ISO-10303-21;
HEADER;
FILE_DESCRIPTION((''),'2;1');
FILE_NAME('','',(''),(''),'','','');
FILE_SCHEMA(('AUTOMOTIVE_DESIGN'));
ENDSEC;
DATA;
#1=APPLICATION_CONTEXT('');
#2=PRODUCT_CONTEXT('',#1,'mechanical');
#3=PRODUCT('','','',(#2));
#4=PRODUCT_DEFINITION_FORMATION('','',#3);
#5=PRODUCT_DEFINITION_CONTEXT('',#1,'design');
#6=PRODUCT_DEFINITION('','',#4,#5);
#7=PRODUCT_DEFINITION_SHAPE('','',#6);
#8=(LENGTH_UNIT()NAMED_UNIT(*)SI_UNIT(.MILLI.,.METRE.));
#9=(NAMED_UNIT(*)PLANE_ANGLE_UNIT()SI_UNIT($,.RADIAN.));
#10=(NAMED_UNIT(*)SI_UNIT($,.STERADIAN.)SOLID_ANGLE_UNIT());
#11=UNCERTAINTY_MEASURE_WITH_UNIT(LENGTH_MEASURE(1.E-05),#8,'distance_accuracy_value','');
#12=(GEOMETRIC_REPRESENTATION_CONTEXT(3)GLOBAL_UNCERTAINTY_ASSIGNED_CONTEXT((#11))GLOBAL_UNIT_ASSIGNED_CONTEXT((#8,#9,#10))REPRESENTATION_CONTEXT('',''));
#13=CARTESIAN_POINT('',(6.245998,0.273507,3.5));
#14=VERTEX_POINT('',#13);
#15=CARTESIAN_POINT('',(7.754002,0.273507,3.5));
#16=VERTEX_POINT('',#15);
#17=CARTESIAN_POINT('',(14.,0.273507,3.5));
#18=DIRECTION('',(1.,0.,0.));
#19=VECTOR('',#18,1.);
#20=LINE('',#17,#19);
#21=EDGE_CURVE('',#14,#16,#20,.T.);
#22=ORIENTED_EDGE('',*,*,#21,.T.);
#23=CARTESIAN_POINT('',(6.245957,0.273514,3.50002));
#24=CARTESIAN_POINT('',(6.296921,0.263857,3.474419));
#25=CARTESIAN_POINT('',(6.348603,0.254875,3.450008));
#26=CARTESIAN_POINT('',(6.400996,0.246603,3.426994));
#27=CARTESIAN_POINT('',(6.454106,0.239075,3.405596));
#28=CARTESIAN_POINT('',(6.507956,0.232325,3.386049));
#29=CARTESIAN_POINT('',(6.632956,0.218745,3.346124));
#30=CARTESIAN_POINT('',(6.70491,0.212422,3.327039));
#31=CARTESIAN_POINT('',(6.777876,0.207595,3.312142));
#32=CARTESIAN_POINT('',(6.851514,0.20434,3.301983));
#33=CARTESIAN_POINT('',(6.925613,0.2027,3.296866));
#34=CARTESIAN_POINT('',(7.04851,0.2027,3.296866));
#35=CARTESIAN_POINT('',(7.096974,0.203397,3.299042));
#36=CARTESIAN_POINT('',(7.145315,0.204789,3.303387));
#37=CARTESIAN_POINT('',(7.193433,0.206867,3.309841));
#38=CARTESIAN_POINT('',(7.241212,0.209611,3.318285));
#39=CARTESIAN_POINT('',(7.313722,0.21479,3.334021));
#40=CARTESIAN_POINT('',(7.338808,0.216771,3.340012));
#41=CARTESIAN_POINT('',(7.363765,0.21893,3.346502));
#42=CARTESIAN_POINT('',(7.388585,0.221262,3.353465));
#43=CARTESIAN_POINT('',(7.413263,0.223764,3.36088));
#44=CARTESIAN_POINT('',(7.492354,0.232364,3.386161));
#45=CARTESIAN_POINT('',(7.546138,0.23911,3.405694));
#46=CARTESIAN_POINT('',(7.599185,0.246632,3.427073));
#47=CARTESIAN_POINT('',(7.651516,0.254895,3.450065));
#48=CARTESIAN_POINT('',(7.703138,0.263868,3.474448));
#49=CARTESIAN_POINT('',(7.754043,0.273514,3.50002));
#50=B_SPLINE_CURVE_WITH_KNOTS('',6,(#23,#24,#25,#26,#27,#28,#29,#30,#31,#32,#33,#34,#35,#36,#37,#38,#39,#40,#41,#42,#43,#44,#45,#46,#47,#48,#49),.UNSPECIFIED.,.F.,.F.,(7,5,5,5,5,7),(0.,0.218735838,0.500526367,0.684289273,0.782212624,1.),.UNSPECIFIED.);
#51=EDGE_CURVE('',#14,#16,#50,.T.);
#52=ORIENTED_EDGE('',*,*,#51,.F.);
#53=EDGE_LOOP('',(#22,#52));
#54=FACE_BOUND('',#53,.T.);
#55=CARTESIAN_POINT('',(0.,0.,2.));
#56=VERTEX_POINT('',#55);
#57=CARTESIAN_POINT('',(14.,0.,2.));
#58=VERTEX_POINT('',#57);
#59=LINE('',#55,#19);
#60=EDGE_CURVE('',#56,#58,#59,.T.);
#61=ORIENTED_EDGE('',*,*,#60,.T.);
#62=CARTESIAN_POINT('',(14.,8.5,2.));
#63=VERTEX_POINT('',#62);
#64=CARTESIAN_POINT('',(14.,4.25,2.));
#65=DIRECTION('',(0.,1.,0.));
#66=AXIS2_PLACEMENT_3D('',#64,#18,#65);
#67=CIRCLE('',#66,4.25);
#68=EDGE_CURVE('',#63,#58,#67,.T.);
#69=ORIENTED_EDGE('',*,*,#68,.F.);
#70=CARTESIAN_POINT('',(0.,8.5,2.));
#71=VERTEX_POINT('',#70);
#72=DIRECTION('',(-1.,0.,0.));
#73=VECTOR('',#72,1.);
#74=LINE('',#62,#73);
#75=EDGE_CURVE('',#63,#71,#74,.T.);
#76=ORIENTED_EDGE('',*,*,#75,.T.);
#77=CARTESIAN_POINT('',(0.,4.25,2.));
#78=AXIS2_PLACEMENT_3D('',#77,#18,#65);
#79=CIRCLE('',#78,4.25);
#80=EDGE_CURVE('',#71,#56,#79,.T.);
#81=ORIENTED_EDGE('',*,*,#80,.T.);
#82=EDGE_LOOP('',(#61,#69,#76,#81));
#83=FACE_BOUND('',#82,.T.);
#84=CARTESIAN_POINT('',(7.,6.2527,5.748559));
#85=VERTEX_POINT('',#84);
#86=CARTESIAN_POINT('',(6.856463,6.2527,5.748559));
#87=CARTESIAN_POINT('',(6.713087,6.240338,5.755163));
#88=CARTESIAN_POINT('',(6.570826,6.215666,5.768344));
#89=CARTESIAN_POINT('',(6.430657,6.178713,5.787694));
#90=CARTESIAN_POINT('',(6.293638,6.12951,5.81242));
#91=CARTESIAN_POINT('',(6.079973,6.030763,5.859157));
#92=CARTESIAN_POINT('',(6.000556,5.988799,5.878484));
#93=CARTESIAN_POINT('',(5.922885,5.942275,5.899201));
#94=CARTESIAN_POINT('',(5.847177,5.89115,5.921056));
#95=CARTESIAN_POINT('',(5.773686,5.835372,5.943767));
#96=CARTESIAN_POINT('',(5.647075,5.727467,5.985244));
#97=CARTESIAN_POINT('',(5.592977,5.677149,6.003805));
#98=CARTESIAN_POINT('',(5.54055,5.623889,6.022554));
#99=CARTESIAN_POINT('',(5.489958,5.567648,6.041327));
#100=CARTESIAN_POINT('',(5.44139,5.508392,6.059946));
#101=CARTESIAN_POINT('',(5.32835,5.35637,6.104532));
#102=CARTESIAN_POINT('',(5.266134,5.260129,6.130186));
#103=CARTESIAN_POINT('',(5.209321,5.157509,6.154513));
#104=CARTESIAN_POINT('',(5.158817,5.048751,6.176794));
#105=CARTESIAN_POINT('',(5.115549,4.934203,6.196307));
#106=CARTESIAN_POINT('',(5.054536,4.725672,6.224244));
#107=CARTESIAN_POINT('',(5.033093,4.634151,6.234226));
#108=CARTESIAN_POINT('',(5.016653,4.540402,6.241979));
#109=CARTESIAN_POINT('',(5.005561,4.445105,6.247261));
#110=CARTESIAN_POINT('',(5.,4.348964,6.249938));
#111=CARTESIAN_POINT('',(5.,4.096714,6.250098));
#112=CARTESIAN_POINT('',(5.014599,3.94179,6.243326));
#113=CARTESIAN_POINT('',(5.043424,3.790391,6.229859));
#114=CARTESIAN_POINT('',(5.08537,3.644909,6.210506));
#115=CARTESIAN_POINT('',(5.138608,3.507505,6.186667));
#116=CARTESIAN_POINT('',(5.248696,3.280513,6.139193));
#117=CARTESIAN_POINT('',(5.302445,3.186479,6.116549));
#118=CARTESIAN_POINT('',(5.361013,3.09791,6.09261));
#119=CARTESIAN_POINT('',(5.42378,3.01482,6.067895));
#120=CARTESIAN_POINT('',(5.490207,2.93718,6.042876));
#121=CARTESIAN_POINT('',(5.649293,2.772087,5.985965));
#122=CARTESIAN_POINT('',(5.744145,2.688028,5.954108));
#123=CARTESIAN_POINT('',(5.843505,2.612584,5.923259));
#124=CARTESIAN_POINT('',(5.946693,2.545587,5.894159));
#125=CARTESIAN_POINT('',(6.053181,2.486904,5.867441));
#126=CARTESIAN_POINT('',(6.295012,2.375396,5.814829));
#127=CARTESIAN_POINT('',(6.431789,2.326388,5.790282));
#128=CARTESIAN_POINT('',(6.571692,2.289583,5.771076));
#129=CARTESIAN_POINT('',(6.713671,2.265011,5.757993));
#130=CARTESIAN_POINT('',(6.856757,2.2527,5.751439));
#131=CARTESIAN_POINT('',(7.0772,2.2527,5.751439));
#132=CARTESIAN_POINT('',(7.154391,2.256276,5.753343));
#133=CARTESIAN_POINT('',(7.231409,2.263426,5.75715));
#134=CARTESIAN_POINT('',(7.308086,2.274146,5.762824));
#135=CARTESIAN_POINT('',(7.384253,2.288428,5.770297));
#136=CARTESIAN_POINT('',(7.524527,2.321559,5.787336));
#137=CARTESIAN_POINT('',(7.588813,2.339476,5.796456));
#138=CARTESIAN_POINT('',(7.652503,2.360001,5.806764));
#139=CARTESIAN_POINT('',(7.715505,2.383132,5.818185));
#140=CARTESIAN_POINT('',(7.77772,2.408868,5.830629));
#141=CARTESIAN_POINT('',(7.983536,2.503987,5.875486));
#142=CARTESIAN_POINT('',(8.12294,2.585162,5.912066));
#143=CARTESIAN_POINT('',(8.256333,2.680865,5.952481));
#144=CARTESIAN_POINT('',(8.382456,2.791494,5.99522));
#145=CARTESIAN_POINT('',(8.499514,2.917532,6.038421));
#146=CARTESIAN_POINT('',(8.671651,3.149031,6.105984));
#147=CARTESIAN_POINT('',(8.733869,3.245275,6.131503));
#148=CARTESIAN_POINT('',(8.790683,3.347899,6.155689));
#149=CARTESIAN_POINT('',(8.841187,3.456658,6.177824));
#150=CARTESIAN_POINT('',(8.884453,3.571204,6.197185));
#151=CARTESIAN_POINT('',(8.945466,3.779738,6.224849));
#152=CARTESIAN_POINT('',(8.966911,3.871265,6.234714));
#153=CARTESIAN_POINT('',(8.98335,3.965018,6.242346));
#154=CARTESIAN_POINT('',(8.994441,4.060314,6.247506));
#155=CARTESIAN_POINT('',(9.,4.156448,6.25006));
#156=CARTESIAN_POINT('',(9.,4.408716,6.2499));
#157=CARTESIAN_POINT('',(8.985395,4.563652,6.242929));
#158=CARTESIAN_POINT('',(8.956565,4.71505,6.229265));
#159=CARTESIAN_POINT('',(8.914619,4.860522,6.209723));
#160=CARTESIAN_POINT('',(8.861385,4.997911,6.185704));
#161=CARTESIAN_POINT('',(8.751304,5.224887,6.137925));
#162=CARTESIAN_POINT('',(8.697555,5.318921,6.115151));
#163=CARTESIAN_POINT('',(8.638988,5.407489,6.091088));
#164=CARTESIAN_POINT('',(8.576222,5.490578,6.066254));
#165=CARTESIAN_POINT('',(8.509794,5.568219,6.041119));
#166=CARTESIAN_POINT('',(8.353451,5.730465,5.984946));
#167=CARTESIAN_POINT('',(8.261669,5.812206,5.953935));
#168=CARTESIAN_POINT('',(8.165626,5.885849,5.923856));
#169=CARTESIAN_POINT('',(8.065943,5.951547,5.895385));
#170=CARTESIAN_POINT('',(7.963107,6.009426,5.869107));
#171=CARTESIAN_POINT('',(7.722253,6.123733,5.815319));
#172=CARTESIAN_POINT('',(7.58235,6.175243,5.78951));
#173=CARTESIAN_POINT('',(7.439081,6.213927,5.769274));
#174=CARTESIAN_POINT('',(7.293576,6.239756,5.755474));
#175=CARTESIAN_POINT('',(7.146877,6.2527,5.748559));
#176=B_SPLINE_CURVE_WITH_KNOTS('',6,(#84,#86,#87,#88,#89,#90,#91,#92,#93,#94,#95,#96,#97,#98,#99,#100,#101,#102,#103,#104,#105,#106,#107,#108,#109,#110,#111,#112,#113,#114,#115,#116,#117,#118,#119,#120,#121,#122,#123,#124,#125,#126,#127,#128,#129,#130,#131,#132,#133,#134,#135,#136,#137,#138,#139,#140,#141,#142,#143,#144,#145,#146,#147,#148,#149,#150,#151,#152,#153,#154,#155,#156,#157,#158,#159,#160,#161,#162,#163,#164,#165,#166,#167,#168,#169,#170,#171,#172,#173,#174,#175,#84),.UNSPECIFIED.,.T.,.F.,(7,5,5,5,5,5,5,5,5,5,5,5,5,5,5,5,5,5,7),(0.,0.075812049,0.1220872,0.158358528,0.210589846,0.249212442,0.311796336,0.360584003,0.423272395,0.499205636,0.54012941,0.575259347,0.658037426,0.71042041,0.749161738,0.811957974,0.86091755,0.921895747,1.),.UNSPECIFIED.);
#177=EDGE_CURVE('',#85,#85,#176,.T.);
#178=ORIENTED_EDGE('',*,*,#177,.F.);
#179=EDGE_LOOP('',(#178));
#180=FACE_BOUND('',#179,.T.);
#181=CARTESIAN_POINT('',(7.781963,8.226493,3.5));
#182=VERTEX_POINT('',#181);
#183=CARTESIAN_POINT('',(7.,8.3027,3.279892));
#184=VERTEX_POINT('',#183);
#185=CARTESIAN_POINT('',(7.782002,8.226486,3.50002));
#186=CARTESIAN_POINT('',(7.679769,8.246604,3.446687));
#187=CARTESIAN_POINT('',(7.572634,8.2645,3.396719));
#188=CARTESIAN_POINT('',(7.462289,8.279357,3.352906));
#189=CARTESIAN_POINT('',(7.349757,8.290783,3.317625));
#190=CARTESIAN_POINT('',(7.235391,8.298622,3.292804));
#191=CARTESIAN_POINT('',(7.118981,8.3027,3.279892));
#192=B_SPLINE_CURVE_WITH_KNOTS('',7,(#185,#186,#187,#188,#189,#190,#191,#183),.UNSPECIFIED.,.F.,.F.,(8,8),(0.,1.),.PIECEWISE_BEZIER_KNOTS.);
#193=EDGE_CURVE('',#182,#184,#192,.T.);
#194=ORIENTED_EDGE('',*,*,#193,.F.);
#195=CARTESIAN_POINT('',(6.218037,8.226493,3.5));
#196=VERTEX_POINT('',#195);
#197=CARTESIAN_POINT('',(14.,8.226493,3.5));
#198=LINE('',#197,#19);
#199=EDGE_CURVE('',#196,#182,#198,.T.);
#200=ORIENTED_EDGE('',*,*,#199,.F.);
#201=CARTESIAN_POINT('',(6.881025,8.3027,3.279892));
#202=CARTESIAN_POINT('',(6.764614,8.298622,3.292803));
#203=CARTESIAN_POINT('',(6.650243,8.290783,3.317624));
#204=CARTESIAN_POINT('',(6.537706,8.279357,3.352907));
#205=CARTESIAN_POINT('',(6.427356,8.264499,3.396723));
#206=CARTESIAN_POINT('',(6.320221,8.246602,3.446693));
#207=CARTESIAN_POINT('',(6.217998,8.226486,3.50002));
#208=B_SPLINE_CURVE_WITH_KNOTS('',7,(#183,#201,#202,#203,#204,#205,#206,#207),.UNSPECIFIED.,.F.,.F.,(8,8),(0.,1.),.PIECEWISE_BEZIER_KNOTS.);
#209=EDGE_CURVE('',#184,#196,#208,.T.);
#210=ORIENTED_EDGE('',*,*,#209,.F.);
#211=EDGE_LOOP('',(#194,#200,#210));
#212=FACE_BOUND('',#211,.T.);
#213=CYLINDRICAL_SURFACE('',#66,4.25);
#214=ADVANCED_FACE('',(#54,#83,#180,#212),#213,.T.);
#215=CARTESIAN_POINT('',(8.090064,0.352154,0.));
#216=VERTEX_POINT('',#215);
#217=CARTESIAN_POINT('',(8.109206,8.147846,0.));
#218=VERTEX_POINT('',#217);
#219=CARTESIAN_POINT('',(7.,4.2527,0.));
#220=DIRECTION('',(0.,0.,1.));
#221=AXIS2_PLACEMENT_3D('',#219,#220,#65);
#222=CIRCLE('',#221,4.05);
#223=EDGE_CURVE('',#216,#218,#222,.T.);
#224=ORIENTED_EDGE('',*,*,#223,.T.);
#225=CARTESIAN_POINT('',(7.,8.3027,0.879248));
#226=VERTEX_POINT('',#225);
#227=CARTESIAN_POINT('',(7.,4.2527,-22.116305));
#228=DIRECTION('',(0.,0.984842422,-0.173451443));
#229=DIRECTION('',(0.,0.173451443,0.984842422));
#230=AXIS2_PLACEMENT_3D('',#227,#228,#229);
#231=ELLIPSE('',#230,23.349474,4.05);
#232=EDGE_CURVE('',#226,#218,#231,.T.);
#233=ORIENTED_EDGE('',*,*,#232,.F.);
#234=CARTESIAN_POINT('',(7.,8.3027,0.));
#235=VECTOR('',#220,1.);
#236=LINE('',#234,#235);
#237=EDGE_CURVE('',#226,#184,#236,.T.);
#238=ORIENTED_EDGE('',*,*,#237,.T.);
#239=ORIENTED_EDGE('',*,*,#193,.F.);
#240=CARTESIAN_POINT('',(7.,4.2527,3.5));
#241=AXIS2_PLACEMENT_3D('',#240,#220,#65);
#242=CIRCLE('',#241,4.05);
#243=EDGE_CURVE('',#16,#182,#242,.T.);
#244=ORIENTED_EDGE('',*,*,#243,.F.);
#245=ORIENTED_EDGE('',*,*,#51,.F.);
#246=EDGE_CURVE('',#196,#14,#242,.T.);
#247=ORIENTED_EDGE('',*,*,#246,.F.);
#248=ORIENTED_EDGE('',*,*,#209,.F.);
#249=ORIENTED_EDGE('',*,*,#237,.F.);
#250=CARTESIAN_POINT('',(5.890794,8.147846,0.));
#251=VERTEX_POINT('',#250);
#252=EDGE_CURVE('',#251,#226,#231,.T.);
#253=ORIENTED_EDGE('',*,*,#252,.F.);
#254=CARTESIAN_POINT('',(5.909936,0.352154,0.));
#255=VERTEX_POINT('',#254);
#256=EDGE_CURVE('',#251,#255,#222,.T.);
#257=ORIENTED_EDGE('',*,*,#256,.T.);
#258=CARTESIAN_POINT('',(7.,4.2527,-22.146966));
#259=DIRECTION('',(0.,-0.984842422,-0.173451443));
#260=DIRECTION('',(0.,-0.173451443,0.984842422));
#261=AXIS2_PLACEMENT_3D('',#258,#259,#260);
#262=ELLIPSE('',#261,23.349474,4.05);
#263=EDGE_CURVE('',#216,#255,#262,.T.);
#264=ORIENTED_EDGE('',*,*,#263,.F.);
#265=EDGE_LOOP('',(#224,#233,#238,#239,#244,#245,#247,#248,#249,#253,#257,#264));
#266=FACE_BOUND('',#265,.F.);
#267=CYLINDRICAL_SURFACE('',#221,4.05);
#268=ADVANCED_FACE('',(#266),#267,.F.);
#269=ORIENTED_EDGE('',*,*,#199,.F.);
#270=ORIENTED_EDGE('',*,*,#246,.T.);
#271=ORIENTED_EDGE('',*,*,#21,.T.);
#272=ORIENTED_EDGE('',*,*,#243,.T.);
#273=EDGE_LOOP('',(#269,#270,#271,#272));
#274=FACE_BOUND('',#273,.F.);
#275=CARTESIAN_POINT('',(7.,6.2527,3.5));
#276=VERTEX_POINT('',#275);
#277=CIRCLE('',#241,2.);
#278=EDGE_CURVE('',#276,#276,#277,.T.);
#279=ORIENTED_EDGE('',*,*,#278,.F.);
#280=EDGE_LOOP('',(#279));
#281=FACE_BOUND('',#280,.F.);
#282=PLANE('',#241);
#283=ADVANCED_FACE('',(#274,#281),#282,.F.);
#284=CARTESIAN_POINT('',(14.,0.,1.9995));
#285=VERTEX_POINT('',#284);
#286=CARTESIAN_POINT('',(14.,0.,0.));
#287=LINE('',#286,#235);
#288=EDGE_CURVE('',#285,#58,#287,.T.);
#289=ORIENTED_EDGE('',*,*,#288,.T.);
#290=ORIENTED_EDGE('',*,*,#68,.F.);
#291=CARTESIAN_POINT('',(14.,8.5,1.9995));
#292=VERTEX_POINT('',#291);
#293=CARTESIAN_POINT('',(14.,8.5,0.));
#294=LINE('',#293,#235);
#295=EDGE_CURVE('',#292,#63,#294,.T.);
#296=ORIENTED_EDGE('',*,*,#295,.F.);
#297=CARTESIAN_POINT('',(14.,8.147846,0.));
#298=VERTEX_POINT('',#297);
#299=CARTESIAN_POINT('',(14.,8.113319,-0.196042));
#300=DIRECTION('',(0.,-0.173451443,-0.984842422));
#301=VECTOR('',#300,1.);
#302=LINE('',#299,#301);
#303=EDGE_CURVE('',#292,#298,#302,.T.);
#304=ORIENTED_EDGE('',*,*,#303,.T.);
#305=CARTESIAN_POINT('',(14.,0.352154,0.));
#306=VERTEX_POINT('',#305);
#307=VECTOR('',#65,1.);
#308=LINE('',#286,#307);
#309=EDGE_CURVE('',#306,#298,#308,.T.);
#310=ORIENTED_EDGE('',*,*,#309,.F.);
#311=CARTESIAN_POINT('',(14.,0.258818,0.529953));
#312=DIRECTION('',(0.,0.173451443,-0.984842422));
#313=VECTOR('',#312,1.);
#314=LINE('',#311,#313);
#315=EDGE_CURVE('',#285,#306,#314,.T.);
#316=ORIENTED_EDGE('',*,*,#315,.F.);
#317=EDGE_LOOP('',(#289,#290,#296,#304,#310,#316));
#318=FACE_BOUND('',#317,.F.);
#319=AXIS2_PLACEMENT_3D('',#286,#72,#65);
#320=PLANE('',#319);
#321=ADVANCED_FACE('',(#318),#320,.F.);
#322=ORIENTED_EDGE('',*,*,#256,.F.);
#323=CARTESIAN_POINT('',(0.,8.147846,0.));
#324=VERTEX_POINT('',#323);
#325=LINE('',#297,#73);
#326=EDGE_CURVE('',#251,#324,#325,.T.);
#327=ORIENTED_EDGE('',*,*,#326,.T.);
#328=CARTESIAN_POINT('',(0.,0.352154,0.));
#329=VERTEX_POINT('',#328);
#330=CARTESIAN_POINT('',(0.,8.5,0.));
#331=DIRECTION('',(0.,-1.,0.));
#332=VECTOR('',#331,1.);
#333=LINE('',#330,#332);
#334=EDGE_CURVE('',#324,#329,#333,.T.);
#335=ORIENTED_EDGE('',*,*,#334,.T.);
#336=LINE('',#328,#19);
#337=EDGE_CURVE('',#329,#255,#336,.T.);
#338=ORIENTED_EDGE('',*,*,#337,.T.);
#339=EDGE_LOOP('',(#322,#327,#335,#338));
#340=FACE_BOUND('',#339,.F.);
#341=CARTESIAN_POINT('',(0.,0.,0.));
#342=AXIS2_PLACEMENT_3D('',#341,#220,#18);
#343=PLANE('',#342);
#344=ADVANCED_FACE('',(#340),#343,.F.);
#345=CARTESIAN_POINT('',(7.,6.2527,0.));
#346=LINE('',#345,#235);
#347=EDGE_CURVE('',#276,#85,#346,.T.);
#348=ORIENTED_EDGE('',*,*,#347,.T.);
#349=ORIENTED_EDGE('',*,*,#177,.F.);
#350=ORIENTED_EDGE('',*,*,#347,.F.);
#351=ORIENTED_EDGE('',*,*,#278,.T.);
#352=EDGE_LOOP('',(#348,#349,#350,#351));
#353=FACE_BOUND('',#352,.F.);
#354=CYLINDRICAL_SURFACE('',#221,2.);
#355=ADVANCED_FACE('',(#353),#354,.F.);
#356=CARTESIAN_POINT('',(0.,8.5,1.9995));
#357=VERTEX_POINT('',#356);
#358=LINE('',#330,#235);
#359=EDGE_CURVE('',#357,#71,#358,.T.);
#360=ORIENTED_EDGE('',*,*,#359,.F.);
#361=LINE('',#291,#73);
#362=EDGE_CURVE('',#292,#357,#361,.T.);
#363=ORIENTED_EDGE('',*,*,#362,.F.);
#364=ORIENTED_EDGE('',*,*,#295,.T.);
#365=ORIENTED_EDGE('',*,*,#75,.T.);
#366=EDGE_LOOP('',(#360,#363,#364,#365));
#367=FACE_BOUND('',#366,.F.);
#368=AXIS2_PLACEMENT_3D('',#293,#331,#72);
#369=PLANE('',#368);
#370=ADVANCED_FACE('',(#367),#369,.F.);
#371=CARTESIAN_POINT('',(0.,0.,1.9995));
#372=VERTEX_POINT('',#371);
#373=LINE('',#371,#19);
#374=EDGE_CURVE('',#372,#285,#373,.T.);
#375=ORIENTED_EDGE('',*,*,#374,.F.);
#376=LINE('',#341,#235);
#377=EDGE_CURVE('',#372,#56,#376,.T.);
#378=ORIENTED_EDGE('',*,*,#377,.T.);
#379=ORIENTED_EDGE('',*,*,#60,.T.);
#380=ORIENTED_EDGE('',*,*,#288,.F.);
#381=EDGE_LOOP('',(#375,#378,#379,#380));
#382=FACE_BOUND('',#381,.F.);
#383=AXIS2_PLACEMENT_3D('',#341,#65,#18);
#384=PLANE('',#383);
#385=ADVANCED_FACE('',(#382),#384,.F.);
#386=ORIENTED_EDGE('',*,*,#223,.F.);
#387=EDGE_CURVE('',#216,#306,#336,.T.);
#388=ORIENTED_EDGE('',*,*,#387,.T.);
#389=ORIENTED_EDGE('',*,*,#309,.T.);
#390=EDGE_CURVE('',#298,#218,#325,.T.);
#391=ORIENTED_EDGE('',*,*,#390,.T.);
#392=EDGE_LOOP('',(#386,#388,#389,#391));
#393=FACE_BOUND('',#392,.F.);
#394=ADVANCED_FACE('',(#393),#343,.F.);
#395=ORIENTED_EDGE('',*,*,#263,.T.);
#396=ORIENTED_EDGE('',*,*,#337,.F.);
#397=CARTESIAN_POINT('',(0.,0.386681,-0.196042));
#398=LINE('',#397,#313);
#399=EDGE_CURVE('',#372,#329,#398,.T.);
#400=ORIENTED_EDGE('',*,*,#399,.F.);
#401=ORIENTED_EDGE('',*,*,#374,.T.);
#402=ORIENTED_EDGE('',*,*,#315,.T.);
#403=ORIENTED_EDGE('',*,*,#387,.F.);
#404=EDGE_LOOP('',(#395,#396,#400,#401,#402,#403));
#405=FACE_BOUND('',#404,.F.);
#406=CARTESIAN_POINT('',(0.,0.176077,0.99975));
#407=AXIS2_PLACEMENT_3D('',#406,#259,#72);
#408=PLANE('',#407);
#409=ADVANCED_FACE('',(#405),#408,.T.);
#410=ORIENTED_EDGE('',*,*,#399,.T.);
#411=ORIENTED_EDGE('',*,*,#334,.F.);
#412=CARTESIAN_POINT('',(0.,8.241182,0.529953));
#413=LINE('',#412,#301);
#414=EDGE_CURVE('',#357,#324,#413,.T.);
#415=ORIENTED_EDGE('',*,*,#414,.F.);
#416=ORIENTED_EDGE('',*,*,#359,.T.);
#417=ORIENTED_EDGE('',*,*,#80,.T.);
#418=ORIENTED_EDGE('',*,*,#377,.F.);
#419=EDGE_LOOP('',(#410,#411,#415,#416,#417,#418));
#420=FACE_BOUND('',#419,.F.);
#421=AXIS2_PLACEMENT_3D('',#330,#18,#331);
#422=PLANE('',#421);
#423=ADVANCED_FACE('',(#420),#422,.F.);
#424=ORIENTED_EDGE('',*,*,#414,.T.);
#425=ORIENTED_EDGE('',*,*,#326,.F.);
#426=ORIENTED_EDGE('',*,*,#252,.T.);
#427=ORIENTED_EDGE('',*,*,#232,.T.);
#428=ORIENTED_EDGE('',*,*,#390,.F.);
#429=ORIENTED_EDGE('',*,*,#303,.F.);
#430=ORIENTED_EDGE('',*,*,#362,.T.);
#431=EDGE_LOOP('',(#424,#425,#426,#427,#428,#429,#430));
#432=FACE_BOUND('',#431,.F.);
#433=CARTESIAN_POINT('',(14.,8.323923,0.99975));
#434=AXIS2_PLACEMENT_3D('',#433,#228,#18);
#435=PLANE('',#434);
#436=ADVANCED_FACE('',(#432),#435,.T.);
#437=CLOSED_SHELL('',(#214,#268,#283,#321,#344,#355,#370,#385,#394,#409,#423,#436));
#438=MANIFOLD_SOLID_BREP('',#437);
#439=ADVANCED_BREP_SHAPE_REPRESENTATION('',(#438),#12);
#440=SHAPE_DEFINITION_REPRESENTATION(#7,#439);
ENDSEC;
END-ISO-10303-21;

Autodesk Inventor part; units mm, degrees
ref_plane "YZ Plane" through (0, 0, 0) normal (1, 0, 0) x (0, 1, 0)
ref_plane "XZ Plane" through (0, 0, 0) normal (0, 1, 0) x (-1, 0, 0)
ref_plane "XY Plane" through (0, 0, 0) normal (0, 0, 1) x (1, 0, 0)
sketch "Sketch1" plane through (0, 0, 0) normal (0, 0, 1) x (1, 0, 0)
  line L0 (0, 0) -> (14, 0)
  line L1 (14, 0) -> (14, 8.5)
  line L2 (14, 8.5) -> (0, 8.5)
  line L3 (0, 8.5) -> (0, 0)
  dimension "d0" = 14
  dimension "d1" = 8.5
extrude "Extrusion1" add sketch "Sketch1" along normal blind 2
sketch "Sketch2" plane through (14, 0, 0) normal (1, 0, 0) x (0, 0, -1)
  line L0 (-2, 8.5) -> (-2, 0) projected
  line L1 (0, 0) -> (-2, 0) projected
  line L2 (0, 8.5) -> (-2, 8.5) projected
  arc A0 (-2, 8.5) -> (-2, 0) centre (-2, 4.25) ccw
  line L3 (-2, 8.5) -> (-2, 0)
extrude "Extrusion2" add sketch "Sketch2" against normal blind 14
chamfer "Chamfer1" distance 2 angle 10 1 edges at (7, 0, 0) measured on face at (4.6667, 0, 0.6667)
chamfer "Chamfer2" distance 2 angle 10 1 edges at (7, 8.5, 0) measured on face at (9.3333, 8.5, 0.6667)
sketch "Sketch3" plane through (0, 0, 0) normal (0, 0, -1) x (-1, 0, 0)
  line L0 (-14, 8.1473) -> (0, 8.1473) projected
  line L1 (-14, 0.3527) -> (-14, 8.1473) projected
  line L2 (0, 0.3527) -> (-14, 0.3527) projected
  line L3 (0, 8.1473) -> (0, 0.3527) projected
  point P0 (0, 0)
hole "Hole1" at (7, 4.2527, 0) direction (0, 0, 1) diameter 4 end through all
hole "Hole2" at (7, 4.2527, 0) direction (0, 0, 1) diameter 8.1 depth 3.5
properties part number "cam pivot"
